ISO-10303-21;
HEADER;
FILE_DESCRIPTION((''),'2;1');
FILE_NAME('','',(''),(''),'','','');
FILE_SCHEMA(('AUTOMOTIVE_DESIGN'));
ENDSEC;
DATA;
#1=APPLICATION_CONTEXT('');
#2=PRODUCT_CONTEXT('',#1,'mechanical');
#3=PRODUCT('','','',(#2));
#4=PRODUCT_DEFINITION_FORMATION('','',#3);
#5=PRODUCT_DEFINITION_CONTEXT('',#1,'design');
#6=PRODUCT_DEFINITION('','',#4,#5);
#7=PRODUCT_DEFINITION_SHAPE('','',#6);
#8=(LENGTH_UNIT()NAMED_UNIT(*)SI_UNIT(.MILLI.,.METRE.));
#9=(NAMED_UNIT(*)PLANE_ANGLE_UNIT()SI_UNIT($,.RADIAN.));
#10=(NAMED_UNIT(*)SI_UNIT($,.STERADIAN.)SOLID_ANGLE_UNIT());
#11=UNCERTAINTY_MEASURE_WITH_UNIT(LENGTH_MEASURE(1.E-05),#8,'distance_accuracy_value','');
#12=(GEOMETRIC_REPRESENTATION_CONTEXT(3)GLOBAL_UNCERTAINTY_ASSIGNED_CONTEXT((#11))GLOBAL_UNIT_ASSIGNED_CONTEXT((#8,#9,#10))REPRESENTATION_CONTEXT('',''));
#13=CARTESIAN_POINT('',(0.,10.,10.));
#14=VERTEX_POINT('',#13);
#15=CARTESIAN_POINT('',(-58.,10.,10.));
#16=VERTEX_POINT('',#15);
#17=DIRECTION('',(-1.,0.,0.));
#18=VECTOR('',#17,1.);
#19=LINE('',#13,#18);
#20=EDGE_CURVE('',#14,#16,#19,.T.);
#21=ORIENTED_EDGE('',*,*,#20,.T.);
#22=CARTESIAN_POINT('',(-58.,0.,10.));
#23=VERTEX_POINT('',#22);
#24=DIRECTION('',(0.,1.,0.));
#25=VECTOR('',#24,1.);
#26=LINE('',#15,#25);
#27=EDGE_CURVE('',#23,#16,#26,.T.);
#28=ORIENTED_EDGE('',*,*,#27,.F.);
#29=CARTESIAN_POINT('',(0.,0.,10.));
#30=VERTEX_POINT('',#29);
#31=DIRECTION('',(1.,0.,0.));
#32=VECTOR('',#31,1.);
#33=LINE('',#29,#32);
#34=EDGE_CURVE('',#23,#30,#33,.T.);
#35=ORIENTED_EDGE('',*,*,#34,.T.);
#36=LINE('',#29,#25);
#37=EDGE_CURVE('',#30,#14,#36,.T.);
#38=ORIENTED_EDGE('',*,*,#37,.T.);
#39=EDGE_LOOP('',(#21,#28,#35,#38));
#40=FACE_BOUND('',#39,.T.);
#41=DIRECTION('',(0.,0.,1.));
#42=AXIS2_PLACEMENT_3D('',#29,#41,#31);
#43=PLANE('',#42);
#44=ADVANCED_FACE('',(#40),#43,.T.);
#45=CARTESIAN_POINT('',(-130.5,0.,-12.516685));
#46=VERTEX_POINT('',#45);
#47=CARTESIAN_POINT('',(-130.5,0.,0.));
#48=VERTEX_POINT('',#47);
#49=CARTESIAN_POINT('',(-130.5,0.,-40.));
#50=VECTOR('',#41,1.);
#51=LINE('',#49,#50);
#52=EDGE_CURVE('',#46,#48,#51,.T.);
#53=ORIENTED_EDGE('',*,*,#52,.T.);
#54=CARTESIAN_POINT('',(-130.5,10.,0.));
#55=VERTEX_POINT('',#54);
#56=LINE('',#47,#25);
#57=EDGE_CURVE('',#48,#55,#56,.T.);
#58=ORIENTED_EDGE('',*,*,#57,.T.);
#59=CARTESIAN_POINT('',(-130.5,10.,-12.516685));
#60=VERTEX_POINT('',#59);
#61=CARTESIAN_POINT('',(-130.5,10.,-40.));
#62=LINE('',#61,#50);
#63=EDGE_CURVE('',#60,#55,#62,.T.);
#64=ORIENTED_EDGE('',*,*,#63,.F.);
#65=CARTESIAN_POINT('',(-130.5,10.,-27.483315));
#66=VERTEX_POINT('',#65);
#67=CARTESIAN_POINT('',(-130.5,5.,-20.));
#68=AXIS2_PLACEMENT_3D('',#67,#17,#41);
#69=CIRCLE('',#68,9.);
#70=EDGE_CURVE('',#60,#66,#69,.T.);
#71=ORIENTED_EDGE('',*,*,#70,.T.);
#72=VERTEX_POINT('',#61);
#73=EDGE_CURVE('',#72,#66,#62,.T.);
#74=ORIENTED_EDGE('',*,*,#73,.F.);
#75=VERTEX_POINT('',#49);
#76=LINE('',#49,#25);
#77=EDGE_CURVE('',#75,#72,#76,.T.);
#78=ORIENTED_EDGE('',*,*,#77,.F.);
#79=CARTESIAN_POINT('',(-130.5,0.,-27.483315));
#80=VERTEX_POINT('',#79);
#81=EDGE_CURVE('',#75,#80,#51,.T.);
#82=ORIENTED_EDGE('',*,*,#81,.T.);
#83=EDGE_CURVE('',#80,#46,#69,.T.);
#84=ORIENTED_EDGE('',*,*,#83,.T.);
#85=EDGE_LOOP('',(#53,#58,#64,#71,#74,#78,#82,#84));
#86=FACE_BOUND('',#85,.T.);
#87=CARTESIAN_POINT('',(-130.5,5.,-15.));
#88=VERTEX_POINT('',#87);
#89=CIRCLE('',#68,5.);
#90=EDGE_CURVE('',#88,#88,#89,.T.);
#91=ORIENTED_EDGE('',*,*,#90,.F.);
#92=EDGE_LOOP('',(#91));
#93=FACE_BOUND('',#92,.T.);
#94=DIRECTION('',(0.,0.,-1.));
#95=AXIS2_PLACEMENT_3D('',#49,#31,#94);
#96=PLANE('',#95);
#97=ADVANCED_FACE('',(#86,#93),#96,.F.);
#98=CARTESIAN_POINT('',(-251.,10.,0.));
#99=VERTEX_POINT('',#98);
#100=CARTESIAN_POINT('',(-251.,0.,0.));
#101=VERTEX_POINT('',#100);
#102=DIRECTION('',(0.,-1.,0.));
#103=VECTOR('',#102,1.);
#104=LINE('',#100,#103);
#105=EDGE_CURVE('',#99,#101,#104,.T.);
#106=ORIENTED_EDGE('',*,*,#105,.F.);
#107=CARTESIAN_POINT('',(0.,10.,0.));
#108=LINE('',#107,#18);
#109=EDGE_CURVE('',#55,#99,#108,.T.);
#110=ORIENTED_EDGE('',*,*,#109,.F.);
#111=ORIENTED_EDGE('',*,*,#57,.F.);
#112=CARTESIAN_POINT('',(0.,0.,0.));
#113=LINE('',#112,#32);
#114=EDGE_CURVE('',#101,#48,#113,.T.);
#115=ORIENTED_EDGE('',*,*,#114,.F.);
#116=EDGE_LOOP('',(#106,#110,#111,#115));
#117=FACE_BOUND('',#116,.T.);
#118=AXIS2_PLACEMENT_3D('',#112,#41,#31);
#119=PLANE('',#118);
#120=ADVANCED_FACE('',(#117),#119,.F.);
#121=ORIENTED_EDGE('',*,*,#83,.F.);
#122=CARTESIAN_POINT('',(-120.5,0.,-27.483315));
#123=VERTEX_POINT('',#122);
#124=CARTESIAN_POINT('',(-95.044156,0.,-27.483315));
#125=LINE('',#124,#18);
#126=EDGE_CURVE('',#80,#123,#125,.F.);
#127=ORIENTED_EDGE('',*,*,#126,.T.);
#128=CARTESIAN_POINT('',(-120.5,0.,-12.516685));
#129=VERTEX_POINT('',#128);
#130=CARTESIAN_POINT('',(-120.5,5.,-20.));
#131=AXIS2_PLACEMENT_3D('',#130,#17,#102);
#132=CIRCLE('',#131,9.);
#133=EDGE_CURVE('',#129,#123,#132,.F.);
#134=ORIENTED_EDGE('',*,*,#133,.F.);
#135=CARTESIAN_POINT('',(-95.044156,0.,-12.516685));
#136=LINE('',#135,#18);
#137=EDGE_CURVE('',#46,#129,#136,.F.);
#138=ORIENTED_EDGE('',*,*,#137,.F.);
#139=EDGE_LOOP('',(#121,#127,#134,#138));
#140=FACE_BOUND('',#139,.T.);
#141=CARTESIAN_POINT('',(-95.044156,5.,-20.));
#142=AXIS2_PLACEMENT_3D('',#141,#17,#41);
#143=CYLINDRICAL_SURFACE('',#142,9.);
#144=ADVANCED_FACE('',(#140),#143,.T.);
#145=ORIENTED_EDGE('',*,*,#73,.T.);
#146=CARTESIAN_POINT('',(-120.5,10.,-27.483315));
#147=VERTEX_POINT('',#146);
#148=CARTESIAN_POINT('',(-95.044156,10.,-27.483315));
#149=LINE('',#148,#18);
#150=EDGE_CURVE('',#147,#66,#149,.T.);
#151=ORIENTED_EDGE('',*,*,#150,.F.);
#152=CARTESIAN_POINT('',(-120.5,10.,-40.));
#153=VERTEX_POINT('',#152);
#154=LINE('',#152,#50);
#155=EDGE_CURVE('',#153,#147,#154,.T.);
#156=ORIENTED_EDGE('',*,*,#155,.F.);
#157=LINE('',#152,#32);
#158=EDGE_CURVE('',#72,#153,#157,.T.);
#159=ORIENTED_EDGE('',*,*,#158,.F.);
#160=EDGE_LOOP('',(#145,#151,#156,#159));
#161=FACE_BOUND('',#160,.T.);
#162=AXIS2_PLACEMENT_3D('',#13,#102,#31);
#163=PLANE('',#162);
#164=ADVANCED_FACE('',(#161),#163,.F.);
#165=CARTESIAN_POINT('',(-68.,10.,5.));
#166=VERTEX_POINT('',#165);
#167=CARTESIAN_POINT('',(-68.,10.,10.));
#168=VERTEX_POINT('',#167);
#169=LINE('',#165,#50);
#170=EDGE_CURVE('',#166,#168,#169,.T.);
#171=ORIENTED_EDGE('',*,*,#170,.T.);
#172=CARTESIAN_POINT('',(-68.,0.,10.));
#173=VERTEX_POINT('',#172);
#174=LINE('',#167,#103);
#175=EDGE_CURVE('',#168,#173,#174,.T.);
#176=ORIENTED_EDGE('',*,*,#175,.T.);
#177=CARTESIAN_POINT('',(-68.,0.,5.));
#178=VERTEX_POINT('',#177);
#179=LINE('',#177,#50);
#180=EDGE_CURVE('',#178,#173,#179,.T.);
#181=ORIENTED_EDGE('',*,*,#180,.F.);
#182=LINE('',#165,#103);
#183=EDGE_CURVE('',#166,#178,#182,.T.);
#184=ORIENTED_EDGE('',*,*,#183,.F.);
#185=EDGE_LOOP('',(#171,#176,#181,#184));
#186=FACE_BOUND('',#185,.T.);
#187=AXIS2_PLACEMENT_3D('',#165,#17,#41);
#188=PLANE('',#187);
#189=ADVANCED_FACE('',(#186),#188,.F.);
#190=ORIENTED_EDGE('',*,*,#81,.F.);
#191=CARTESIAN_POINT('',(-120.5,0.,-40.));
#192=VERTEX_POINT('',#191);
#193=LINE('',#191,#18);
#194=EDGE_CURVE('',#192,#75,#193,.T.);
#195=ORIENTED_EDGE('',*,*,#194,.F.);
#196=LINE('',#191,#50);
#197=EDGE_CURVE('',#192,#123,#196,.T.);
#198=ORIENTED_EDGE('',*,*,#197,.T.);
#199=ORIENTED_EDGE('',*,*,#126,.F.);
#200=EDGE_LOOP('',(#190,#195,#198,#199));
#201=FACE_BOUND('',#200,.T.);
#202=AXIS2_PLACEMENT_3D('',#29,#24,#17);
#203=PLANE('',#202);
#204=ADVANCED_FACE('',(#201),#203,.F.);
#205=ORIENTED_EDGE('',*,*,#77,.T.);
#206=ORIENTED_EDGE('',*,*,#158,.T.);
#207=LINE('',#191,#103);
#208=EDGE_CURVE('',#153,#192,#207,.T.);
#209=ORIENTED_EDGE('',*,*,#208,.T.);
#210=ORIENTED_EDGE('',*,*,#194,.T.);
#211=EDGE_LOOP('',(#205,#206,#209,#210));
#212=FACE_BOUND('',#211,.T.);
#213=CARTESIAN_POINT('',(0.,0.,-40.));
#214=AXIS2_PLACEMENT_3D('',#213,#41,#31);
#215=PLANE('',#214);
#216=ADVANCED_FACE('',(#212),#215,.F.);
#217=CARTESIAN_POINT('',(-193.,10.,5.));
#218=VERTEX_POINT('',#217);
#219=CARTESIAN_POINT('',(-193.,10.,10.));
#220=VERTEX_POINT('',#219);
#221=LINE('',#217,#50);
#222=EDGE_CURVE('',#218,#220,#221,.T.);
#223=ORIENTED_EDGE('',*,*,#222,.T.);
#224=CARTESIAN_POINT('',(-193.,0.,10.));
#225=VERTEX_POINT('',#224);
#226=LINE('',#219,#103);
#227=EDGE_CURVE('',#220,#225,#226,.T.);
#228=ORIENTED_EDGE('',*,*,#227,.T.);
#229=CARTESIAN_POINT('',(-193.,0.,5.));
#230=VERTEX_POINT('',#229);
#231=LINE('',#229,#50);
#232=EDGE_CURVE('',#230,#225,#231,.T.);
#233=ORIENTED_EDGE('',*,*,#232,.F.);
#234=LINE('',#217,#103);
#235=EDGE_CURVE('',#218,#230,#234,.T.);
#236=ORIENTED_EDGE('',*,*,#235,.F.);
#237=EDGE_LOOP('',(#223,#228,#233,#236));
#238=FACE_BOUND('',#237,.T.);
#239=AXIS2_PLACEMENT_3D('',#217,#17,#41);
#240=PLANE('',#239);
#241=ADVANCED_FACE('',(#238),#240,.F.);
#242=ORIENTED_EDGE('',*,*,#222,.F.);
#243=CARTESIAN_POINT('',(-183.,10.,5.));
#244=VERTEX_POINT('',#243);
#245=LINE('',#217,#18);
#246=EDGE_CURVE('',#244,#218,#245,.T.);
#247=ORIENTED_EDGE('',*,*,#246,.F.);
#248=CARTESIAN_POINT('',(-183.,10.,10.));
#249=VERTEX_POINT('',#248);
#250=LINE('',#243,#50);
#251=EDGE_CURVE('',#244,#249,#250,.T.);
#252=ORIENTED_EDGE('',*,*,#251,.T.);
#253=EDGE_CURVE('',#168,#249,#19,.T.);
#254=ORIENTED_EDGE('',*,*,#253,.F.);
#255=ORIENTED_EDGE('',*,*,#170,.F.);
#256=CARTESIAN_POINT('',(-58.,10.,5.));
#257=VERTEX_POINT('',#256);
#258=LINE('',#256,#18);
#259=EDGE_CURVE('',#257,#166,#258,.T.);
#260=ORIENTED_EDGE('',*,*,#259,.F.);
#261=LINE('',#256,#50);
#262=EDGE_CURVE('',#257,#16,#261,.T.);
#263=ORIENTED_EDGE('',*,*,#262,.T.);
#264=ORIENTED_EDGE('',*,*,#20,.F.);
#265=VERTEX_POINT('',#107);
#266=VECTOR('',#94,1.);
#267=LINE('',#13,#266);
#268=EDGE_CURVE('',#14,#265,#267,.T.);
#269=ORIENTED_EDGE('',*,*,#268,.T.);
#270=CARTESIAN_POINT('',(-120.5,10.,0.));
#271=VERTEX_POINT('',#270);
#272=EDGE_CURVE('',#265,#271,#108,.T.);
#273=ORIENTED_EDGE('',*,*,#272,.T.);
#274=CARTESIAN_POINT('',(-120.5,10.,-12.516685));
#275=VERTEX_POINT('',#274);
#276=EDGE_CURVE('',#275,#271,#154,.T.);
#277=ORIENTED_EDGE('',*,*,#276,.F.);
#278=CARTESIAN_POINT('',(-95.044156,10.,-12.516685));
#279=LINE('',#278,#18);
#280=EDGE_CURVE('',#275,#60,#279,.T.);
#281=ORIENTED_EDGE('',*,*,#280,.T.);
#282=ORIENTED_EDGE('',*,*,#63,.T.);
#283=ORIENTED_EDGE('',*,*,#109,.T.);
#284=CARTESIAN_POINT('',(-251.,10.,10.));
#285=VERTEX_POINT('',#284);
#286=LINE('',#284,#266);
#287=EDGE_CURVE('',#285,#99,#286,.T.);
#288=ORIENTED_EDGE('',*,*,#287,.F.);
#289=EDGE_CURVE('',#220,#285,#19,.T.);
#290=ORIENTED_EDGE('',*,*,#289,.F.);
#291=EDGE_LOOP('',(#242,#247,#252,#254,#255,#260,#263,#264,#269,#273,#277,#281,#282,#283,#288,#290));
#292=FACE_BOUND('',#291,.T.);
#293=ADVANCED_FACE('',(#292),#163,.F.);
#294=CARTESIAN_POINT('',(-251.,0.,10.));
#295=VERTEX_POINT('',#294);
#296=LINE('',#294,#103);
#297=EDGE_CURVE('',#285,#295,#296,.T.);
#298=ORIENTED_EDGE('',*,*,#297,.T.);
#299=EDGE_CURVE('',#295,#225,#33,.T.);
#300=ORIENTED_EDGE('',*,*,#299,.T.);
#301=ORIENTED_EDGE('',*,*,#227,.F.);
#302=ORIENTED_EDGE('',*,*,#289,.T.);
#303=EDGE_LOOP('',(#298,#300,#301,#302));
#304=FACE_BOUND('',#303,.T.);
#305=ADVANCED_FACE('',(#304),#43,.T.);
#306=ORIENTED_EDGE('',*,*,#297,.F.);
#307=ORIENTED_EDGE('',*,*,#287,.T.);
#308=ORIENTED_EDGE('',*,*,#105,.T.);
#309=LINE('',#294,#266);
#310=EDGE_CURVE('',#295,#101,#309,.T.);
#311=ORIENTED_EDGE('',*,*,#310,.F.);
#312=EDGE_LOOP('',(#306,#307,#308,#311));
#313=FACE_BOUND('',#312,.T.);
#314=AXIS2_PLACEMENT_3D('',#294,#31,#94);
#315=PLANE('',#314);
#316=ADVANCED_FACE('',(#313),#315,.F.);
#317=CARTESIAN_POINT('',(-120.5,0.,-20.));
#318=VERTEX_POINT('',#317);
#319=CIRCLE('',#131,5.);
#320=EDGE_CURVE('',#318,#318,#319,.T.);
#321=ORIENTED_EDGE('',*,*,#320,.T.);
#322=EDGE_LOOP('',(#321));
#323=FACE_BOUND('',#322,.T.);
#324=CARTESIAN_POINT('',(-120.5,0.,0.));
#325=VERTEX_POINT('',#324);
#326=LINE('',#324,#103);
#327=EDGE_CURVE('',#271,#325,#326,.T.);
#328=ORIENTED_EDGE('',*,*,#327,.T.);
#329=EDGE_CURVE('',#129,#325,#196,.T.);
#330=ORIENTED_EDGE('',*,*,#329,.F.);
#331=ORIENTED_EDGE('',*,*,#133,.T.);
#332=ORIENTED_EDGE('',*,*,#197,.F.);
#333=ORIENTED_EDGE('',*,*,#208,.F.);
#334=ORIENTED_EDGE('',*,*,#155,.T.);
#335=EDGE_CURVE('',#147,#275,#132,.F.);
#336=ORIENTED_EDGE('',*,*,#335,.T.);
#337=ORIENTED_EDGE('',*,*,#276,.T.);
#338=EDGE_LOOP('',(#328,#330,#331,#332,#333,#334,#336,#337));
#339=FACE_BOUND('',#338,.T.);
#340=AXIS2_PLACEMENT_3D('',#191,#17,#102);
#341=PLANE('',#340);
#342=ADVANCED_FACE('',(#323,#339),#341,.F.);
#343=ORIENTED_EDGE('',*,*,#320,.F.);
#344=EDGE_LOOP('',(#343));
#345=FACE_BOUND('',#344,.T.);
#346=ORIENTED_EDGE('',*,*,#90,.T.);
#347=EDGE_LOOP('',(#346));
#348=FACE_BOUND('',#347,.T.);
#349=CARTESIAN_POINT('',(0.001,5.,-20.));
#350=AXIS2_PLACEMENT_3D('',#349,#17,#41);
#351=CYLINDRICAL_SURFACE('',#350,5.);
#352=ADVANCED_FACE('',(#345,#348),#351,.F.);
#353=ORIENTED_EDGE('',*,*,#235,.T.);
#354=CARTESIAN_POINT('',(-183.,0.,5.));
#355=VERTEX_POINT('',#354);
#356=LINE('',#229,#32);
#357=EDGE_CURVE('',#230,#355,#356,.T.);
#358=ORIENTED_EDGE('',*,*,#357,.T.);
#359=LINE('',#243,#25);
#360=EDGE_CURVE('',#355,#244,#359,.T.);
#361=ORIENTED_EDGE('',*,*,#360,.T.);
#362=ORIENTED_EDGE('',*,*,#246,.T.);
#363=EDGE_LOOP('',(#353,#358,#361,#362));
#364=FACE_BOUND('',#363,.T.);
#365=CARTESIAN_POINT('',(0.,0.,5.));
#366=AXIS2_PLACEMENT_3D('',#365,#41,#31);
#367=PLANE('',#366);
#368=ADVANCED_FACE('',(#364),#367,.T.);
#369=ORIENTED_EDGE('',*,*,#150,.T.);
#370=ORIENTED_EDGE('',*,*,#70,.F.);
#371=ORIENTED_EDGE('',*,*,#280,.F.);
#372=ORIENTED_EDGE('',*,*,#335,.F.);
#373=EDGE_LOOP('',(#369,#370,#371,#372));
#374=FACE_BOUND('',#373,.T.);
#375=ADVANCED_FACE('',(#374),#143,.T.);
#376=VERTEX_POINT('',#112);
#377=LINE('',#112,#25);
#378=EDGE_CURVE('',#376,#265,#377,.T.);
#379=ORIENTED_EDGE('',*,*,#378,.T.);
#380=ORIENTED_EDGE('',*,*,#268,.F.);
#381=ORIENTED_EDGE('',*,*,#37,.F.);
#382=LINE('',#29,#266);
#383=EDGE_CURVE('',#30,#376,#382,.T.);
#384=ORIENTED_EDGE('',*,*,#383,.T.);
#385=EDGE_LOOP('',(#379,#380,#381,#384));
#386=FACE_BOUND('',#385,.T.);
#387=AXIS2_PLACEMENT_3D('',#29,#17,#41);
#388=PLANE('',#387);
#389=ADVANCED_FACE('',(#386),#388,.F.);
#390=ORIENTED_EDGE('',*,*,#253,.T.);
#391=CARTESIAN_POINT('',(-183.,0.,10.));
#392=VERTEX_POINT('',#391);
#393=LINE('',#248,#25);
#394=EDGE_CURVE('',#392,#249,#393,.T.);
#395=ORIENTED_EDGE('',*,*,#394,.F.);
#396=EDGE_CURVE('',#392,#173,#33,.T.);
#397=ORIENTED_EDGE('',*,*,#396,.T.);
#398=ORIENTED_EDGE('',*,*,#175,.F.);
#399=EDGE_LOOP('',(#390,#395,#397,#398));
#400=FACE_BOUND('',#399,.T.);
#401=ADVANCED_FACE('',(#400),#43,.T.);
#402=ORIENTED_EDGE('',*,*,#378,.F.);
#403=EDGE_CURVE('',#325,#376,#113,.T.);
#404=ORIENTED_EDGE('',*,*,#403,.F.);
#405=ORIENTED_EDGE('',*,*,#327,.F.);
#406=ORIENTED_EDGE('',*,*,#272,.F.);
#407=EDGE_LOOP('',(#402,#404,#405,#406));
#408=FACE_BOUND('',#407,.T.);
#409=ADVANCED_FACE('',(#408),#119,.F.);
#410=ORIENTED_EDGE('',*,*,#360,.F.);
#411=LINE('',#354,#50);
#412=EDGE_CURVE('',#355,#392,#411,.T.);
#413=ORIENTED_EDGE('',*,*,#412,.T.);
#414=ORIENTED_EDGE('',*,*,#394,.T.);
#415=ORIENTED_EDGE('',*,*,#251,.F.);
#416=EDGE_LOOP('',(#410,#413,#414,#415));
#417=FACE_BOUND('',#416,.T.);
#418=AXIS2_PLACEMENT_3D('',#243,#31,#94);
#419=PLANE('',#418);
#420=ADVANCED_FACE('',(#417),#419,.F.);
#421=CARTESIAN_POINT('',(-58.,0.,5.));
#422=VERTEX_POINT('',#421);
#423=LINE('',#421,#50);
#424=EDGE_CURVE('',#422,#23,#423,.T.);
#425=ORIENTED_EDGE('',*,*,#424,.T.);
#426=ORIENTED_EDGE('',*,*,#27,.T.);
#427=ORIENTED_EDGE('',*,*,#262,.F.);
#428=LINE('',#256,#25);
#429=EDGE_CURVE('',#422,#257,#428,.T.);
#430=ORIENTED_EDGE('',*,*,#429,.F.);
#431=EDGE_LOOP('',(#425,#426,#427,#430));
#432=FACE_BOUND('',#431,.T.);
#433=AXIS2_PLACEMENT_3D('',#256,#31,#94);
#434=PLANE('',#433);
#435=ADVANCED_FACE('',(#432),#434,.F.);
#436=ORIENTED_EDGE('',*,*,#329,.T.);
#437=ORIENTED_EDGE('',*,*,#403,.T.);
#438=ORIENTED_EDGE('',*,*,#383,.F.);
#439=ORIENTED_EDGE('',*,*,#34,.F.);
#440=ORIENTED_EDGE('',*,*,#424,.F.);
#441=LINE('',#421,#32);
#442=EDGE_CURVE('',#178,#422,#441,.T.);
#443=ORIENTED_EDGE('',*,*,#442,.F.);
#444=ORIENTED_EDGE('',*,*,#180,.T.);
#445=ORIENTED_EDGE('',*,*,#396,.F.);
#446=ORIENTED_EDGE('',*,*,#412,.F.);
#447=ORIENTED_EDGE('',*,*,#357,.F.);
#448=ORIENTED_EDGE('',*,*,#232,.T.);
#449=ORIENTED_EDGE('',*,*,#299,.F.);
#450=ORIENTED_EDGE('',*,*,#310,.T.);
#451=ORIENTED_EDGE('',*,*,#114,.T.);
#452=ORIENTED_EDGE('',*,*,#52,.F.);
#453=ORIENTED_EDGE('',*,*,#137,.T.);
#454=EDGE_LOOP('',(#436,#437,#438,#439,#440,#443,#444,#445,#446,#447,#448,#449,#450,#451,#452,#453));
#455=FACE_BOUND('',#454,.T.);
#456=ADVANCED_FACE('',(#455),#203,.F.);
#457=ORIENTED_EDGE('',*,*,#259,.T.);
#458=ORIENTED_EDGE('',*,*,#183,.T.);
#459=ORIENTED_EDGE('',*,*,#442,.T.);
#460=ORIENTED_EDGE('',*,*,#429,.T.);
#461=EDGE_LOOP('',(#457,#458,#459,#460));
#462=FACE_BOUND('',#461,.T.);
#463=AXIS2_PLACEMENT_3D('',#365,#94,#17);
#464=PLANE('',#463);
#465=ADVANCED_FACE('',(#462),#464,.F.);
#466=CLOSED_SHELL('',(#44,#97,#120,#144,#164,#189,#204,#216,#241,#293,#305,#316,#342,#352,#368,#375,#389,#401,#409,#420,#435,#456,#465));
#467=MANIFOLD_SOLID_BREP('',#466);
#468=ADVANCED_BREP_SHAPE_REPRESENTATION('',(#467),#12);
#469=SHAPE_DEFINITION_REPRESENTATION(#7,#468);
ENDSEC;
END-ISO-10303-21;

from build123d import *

# Parameters (mm, degrees)
SKETCH1_W           = 251
SKETCH1_H           = 10
BOSS_EXTRUDE1_DEPTH = 10
SKETCH2_W           = 10
SKETCH2_H           = 10
CUT_EXTRUDE1_DEPTH  = 5
SKETCH4_W           = 10
SKETCH4_H           = 10
BOSS_EXTRUDE2_DEPTH = 40
CUT_EXTRUDE2_REACH  = 138.859
SKETCH5_R           = 5
SKETCH7_R           = 9
SKETCH7_R_2         = 5
BOSS_EXTRUDE3_DEPTH = 10


with BuildPart() as part:
    # Sketch1 → Boss-Extrude1 (new body)
    with BuildSketch(Plane.XY):
        with Locations((-125.5, 5)):
            Rectangle(SKETCH1_W, SKETCH1_H)
    extrude(amount=BOSS_EXTRUDE1_DEPTH)

    # Sketch2 → Cut-Extrude1 (cut)
    with BuildSketch(Plane.XY.offset(10)):
        with Locations((-188, 5)):
            Rectangle(SKETCH2_W, SKETCH2_H)
        with Locations((-63, 5)):
            Rectangle(SKETCH2_W, SKETCH2_H)
    extrude(amount=-CUT_EXTRUDE1_DEPTH, mode=Mode.SUBTRACT)

    # Sketch4 → Boss-Extrude2 (add)
    with BuildSketch(Plane(origin=(0, 0, 0), x_dir=(-1, 0, 0), z_dir=(0, 0, -1))):
        with Locations((125.5, 5)):
            Rectangle(SKETCH4_W, SKETCH4_H)
    extrude(amount=BOSS_EXTRUDE2_DEPTH)

    # Sketch5 → Cut-Extrude2 (cut, up to next)
    with BuildSketch(Plane.ZY.offset(130.5), mode=Mode.PRIVATE) as cut_extrude2_sk1:
        with Locations((-20, 5)):
            Circle(SKETCH5_R)
    cut_extrude2_tool1 = extrude(cut_extrude2_sk1.sketch, amount=-CUT_EXTRUDE2_REACH, mode=Mode.PRIVATE) & part.part
    add(cut_extrude2_tool1.solids().sort_by_distance((-130.5, 5, -20))[0], mode=Mode.SUBTRACT)


with BuildPart() as cut_extrude2_piece_1:
    # of the separate pieces the step leaves, piece 1, a body of its own (cut_extrude2_pieces)
    add(part.part.solids().sort_by_distance((0, 0, 0))[0])



with BuildPart() as cut_extrude2_piece_2:
    # of the separate pieces the step leaves, piece 2, a body of its own (cut_extrude2_pieces)
    add(part.part.solids().sort_by_distance((-120.5, 0, -40))[0])


with BuildPart() as cut_extrude2_piece_1_1:
    add(cut_extrude2_piece_1.part)

    add(cut_extrude2_piece_2.part)  # Boss-Extrude3 merges Cut-Extrude2 piece 2
    # Sketch7 → Boss-Extrude3 (add)
    with BuildSketch(Plane.ZY.offset(130.5)):
        with Locations((-20, 5)):
            Circle(SKETCH7_R)
        with Locations((-20, 5)):
            Circle(SKETCH7_R_2, mode=Mode.SUBTRACT)
    extrude(amount=-BOSS_EXTRUDE3_DEPTH)


solid = cut_extrude2_piece_1_1.part
